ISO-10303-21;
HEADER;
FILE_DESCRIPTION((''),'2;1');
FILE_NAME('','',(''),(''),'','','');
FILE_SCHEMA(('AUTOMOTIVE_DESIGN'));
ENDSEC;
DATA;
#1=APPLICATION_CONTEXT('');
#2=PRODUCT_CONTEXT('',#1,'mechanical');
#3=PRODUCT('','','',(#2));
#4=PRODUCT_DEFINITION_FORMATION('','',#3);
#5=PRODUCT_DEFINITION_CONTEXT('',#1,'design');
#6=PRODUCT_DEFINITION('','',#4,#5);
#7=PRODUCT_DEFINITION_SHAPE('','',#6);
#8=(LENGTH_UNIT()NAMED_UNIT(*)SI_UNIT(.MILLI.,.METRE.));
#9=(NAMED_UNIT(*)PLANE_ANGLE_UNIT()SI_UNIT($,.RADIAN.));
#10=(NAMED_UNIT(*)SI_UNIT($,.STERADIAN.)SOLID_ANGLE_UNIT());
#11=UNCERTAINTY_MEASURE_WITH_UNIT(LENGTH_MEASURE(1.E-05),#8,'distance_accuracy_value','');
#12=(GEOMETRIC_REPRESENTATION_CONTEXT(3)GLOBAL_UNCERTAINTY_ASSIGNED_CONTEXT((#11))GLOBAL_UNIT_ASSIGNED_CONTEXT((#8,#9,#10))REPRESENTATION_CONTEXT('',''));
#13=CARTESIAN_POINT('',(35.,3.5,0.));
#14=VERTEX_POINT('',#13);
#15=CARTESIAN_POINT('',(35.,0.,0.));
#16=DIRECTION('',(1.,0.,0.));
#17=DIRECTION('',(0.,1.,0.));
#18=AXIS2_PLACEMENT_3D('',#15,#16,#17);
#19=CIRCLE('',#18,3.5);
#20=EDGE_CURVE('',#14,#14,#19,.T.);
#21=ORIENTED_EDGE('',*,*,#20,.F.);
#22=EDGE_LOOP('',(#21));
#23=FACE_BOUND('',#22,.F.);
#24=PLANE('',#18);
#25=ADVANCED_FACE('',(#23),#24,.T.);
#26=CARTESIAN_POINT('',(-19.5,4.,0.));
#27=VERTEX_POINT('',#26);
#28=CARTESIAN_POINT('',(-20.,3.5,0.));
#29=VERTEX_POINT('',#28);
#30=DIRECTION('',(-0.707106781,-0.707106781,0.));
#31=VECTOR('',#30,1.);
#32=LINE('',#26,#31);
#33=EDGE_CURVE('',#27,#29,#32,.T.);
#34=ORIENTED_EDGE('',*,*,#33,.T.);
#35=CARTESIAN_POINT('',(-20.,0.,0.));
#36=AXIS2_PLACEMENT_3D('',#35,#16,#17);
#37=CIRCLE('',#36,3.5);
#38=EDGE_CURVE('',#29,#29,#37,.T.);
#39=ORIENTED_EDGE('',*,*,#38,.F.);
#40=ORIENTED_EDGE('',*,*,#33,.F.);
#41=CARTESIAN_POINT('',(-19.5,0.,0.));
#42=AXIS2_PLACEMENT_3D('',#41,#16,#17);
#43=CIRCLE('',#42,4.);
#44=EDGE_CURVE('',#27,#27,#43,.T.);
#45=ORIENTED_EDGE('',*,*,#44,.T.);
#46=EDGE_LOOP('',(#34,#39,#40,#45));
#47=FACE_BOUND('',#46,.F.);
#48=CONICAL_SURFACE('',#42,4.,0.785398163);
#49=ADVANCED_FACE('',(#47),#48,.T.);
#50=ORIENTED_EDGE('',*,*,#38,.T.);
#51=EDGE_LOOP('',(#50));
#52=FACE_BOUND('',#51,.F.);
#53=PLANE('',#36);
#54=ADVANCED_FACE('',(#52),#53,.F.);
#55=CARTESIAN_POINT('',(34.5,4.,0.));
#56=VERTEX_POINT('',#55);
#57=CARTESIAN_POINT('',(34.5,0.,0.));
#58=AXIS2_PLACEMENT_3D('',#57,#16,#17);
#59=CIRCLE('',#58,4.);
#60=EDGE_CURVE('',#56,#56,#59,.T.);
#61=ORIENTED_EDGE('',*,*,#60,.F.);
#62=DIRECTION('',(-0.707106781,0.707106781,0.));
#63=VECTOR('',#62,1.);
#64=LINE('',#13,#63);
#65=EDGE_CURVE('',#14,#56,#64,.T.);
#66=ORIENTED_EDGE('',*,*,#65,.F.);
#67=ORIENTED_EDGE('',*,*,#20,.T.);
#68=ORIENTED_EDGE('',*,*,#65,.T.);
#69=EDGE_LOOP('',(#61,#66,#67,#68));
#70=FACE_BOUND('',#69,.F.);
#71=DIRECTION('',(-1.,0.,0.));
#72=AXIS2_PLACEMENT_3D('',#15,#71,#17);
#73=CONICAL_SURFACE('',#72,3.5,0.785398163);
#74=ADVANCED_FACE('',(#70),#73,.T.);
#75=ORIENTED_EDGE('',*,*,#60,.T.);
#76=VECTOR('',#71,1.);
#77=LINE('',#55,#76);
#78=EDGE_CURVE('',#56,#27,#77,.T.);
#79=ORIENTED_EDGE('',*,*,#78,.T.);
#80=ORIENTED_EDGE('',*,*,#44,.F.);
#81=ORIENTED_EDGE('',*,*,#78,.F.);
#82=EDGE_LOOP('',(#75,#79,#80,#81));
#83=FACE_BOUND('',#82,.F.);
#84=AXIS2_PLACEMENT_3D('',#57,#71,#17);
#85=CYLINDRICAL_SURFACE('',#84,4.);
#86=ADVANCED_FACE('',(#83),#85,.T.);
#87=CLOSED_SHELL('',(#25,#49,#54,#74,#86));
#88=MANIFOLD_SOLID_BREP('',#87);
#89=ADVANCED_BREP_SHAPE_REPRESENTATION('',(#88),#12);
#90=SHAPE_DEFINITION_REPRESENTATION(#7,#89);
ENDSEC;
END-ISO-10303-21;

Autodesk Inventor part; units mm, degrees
ref_plane "YZ Plane" through (0, 0, 0) normal (1, 0, 0) x (0, 1, 0)
ref_plane "XZ Plane" through (0, 0, 0) normal (0, 1, 0) x (-1, 0, 0)
ref_plane "XY Plane" through (0, 0, 0) normal (0, 0, 1) x (1, 0, 0)
sketch "Skizze1" plane through (0, 0, 0) normal (0, 0, 1) x (1, 0, 0)
  line L0 (-41.2902, 0) -> (-18.351, 0)
  line L1 (-20, 0) -> (35, 0)
  line L2 (35, 0) -> (35, 3.5)
  line L3 (34.5, 4) -> (-19.5, 4)
  line L4 (-20, 3.5) -> (-20, 0)
  line L5 (-19.5, 4) -> (-20, 3.5)
  line L6 (35, 3.5) -> (34.5, 4)
  line L7 (-56.5482, 0) -> (50.258, 0) projected
  point P0 (0, 0)
  point P1 (35, 4)
  point P2 (-20, 4)
  dimension "d0" = 8
  dimension "d1" = 20
  dimension "d2" = 35
  dimension "d3" = 0.5
  dimension "d4" = 0.5
  dimension "d5" = 0.5
  dimension "d6" = 0.5
revolve "Umdrehung1" add sketch "Skizze1" angle 360 about axis through (-10, 0, 0) along (1, 0, 0)
equation "\"d4\" = d3"
equation "\"d5\" = d3"
equation "\"d6\" = d5"
properties part number "wheel_shaft_D8_V1" material "Stahl, Legierung"
